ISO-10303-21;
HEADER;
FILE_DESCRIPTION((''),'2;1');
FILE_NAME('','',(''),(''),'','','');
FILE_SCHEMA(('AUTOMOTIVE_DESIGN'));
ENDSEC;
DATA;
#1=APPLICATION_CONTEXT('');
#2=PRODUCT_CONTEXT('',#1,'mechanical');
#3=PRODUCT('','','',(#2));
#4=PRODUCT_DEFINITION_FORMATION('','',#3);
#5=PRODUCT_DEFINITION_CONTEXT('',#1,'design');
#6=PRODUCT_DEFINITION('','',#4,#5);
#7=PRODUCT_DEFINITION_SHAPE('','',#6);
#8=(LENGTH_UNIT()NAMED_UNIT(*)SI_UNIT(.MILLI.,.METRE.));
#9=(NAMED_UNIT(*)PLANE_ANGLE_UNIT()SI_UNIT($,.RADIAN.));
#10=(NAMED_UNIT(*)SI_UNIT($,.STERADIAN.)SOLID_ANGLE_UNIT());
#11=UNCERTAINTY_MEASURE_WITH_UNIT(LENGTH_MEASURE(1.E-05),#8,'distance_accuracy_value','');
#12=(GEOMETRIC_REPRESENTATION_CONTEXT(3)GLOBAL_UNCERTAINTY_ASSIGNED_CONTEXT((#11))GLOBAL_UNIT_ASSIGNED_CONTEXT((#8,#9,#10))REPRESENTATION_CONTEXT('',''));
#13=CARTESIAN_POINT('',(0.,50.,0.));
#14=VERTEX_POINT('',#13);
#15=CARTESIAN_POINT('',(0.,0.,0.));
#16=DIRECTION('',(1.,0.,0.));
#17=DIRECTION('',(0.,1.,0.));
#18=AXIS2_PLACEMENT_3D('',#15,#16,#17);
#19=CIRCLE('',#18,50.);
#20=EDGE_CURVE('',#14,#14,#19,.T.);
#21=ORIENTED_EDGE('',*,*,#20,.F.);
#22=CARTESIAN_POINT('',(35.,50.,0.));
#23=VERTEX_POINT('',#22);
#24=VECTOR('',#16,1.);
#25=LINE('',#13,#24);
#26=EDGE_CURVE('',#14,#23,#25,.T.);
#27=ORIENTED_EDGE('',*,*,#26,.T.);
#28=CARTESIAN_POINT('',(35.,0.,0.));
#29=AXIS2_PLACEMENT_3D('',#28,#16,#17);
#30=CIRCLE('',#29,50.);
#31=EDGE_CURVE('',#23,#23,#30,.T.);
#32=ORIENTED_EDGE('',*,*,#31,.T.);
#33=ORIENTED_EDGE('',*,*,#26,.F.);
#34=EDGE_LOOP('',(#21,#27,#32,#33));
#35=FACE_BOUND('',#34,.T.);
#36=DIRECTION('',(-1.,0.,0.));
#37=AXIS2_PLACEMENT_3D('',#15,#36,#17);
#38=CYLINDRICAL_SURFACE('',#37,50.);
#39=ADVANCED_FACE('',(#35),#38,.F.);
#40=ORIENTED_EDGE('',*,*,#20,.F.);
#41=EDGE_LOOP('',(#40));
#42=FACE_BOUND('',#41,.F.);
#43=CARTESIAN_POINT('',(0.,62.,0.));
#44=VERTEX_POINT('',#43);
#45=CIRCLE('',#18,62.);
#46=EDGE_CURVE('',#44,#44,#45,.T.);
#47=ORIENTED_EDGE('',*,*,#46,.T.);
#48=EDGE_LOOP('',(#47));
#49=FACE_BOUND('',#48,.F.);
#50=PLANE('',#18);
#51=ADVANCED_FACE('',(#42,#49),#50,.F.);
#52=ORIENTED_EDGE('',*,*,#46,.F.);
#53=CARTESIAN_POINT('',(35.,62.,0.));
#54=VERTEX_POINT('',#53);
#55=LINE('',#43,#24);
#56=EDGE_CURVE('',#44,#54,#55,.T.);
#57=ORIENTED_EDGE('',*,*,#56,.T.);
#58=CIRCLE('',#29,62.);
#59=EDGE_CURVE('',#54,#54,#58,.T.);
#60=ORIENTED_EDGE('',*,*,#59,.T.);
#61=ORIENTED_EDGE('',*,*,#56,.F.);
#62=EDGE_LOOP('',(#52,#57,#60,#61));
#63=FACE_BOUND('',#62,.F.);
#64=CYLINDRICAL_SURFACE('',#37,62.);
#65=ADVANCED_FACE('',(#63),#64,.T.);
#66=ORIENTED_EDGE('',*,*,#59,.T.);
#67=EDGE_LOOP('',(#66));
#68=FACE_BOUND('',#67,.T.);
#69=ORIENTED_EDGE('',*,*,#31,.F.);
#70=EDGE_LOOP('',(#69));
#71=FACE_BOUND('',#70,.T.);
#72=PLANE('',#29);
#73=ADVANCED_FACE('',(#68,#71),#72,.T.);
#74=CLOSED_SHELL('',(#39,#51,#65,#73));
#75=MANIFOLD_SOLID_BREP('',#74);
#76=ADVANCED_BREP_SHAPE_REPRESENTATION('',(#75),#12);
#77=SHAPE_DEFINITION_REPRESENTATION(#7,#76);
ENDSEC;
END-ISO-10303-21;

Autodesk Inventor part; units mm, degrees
ref_plane "YZ Plane" through (0, 0, 0) normal (1, 0, 0) x (0, 1, 0)
ref_plane "XZ Plane" through (0, 0, 0) normal (0, 1, 0) x (-1, 0, 0)
ref_plane "XY Plane" through (0, 0, 0) normal (0, 0, 1) x (1, 0, 0)
sketch "Sketch1" plane through (0, 0, 0) normal (1, 0, 0) x (0, 1, 0)
  circle A0 centre (0, 0) radius 50
  circle A1 centre (0, 0) radius 62
  dimension "d0" = 100
  dimension "d1" = 124
extrude "Extrusion1" add sketch "Sketch1" along normal blind 35
properties part number "Spaziamento4-5-6ipt" material "Steel, Alloy"
